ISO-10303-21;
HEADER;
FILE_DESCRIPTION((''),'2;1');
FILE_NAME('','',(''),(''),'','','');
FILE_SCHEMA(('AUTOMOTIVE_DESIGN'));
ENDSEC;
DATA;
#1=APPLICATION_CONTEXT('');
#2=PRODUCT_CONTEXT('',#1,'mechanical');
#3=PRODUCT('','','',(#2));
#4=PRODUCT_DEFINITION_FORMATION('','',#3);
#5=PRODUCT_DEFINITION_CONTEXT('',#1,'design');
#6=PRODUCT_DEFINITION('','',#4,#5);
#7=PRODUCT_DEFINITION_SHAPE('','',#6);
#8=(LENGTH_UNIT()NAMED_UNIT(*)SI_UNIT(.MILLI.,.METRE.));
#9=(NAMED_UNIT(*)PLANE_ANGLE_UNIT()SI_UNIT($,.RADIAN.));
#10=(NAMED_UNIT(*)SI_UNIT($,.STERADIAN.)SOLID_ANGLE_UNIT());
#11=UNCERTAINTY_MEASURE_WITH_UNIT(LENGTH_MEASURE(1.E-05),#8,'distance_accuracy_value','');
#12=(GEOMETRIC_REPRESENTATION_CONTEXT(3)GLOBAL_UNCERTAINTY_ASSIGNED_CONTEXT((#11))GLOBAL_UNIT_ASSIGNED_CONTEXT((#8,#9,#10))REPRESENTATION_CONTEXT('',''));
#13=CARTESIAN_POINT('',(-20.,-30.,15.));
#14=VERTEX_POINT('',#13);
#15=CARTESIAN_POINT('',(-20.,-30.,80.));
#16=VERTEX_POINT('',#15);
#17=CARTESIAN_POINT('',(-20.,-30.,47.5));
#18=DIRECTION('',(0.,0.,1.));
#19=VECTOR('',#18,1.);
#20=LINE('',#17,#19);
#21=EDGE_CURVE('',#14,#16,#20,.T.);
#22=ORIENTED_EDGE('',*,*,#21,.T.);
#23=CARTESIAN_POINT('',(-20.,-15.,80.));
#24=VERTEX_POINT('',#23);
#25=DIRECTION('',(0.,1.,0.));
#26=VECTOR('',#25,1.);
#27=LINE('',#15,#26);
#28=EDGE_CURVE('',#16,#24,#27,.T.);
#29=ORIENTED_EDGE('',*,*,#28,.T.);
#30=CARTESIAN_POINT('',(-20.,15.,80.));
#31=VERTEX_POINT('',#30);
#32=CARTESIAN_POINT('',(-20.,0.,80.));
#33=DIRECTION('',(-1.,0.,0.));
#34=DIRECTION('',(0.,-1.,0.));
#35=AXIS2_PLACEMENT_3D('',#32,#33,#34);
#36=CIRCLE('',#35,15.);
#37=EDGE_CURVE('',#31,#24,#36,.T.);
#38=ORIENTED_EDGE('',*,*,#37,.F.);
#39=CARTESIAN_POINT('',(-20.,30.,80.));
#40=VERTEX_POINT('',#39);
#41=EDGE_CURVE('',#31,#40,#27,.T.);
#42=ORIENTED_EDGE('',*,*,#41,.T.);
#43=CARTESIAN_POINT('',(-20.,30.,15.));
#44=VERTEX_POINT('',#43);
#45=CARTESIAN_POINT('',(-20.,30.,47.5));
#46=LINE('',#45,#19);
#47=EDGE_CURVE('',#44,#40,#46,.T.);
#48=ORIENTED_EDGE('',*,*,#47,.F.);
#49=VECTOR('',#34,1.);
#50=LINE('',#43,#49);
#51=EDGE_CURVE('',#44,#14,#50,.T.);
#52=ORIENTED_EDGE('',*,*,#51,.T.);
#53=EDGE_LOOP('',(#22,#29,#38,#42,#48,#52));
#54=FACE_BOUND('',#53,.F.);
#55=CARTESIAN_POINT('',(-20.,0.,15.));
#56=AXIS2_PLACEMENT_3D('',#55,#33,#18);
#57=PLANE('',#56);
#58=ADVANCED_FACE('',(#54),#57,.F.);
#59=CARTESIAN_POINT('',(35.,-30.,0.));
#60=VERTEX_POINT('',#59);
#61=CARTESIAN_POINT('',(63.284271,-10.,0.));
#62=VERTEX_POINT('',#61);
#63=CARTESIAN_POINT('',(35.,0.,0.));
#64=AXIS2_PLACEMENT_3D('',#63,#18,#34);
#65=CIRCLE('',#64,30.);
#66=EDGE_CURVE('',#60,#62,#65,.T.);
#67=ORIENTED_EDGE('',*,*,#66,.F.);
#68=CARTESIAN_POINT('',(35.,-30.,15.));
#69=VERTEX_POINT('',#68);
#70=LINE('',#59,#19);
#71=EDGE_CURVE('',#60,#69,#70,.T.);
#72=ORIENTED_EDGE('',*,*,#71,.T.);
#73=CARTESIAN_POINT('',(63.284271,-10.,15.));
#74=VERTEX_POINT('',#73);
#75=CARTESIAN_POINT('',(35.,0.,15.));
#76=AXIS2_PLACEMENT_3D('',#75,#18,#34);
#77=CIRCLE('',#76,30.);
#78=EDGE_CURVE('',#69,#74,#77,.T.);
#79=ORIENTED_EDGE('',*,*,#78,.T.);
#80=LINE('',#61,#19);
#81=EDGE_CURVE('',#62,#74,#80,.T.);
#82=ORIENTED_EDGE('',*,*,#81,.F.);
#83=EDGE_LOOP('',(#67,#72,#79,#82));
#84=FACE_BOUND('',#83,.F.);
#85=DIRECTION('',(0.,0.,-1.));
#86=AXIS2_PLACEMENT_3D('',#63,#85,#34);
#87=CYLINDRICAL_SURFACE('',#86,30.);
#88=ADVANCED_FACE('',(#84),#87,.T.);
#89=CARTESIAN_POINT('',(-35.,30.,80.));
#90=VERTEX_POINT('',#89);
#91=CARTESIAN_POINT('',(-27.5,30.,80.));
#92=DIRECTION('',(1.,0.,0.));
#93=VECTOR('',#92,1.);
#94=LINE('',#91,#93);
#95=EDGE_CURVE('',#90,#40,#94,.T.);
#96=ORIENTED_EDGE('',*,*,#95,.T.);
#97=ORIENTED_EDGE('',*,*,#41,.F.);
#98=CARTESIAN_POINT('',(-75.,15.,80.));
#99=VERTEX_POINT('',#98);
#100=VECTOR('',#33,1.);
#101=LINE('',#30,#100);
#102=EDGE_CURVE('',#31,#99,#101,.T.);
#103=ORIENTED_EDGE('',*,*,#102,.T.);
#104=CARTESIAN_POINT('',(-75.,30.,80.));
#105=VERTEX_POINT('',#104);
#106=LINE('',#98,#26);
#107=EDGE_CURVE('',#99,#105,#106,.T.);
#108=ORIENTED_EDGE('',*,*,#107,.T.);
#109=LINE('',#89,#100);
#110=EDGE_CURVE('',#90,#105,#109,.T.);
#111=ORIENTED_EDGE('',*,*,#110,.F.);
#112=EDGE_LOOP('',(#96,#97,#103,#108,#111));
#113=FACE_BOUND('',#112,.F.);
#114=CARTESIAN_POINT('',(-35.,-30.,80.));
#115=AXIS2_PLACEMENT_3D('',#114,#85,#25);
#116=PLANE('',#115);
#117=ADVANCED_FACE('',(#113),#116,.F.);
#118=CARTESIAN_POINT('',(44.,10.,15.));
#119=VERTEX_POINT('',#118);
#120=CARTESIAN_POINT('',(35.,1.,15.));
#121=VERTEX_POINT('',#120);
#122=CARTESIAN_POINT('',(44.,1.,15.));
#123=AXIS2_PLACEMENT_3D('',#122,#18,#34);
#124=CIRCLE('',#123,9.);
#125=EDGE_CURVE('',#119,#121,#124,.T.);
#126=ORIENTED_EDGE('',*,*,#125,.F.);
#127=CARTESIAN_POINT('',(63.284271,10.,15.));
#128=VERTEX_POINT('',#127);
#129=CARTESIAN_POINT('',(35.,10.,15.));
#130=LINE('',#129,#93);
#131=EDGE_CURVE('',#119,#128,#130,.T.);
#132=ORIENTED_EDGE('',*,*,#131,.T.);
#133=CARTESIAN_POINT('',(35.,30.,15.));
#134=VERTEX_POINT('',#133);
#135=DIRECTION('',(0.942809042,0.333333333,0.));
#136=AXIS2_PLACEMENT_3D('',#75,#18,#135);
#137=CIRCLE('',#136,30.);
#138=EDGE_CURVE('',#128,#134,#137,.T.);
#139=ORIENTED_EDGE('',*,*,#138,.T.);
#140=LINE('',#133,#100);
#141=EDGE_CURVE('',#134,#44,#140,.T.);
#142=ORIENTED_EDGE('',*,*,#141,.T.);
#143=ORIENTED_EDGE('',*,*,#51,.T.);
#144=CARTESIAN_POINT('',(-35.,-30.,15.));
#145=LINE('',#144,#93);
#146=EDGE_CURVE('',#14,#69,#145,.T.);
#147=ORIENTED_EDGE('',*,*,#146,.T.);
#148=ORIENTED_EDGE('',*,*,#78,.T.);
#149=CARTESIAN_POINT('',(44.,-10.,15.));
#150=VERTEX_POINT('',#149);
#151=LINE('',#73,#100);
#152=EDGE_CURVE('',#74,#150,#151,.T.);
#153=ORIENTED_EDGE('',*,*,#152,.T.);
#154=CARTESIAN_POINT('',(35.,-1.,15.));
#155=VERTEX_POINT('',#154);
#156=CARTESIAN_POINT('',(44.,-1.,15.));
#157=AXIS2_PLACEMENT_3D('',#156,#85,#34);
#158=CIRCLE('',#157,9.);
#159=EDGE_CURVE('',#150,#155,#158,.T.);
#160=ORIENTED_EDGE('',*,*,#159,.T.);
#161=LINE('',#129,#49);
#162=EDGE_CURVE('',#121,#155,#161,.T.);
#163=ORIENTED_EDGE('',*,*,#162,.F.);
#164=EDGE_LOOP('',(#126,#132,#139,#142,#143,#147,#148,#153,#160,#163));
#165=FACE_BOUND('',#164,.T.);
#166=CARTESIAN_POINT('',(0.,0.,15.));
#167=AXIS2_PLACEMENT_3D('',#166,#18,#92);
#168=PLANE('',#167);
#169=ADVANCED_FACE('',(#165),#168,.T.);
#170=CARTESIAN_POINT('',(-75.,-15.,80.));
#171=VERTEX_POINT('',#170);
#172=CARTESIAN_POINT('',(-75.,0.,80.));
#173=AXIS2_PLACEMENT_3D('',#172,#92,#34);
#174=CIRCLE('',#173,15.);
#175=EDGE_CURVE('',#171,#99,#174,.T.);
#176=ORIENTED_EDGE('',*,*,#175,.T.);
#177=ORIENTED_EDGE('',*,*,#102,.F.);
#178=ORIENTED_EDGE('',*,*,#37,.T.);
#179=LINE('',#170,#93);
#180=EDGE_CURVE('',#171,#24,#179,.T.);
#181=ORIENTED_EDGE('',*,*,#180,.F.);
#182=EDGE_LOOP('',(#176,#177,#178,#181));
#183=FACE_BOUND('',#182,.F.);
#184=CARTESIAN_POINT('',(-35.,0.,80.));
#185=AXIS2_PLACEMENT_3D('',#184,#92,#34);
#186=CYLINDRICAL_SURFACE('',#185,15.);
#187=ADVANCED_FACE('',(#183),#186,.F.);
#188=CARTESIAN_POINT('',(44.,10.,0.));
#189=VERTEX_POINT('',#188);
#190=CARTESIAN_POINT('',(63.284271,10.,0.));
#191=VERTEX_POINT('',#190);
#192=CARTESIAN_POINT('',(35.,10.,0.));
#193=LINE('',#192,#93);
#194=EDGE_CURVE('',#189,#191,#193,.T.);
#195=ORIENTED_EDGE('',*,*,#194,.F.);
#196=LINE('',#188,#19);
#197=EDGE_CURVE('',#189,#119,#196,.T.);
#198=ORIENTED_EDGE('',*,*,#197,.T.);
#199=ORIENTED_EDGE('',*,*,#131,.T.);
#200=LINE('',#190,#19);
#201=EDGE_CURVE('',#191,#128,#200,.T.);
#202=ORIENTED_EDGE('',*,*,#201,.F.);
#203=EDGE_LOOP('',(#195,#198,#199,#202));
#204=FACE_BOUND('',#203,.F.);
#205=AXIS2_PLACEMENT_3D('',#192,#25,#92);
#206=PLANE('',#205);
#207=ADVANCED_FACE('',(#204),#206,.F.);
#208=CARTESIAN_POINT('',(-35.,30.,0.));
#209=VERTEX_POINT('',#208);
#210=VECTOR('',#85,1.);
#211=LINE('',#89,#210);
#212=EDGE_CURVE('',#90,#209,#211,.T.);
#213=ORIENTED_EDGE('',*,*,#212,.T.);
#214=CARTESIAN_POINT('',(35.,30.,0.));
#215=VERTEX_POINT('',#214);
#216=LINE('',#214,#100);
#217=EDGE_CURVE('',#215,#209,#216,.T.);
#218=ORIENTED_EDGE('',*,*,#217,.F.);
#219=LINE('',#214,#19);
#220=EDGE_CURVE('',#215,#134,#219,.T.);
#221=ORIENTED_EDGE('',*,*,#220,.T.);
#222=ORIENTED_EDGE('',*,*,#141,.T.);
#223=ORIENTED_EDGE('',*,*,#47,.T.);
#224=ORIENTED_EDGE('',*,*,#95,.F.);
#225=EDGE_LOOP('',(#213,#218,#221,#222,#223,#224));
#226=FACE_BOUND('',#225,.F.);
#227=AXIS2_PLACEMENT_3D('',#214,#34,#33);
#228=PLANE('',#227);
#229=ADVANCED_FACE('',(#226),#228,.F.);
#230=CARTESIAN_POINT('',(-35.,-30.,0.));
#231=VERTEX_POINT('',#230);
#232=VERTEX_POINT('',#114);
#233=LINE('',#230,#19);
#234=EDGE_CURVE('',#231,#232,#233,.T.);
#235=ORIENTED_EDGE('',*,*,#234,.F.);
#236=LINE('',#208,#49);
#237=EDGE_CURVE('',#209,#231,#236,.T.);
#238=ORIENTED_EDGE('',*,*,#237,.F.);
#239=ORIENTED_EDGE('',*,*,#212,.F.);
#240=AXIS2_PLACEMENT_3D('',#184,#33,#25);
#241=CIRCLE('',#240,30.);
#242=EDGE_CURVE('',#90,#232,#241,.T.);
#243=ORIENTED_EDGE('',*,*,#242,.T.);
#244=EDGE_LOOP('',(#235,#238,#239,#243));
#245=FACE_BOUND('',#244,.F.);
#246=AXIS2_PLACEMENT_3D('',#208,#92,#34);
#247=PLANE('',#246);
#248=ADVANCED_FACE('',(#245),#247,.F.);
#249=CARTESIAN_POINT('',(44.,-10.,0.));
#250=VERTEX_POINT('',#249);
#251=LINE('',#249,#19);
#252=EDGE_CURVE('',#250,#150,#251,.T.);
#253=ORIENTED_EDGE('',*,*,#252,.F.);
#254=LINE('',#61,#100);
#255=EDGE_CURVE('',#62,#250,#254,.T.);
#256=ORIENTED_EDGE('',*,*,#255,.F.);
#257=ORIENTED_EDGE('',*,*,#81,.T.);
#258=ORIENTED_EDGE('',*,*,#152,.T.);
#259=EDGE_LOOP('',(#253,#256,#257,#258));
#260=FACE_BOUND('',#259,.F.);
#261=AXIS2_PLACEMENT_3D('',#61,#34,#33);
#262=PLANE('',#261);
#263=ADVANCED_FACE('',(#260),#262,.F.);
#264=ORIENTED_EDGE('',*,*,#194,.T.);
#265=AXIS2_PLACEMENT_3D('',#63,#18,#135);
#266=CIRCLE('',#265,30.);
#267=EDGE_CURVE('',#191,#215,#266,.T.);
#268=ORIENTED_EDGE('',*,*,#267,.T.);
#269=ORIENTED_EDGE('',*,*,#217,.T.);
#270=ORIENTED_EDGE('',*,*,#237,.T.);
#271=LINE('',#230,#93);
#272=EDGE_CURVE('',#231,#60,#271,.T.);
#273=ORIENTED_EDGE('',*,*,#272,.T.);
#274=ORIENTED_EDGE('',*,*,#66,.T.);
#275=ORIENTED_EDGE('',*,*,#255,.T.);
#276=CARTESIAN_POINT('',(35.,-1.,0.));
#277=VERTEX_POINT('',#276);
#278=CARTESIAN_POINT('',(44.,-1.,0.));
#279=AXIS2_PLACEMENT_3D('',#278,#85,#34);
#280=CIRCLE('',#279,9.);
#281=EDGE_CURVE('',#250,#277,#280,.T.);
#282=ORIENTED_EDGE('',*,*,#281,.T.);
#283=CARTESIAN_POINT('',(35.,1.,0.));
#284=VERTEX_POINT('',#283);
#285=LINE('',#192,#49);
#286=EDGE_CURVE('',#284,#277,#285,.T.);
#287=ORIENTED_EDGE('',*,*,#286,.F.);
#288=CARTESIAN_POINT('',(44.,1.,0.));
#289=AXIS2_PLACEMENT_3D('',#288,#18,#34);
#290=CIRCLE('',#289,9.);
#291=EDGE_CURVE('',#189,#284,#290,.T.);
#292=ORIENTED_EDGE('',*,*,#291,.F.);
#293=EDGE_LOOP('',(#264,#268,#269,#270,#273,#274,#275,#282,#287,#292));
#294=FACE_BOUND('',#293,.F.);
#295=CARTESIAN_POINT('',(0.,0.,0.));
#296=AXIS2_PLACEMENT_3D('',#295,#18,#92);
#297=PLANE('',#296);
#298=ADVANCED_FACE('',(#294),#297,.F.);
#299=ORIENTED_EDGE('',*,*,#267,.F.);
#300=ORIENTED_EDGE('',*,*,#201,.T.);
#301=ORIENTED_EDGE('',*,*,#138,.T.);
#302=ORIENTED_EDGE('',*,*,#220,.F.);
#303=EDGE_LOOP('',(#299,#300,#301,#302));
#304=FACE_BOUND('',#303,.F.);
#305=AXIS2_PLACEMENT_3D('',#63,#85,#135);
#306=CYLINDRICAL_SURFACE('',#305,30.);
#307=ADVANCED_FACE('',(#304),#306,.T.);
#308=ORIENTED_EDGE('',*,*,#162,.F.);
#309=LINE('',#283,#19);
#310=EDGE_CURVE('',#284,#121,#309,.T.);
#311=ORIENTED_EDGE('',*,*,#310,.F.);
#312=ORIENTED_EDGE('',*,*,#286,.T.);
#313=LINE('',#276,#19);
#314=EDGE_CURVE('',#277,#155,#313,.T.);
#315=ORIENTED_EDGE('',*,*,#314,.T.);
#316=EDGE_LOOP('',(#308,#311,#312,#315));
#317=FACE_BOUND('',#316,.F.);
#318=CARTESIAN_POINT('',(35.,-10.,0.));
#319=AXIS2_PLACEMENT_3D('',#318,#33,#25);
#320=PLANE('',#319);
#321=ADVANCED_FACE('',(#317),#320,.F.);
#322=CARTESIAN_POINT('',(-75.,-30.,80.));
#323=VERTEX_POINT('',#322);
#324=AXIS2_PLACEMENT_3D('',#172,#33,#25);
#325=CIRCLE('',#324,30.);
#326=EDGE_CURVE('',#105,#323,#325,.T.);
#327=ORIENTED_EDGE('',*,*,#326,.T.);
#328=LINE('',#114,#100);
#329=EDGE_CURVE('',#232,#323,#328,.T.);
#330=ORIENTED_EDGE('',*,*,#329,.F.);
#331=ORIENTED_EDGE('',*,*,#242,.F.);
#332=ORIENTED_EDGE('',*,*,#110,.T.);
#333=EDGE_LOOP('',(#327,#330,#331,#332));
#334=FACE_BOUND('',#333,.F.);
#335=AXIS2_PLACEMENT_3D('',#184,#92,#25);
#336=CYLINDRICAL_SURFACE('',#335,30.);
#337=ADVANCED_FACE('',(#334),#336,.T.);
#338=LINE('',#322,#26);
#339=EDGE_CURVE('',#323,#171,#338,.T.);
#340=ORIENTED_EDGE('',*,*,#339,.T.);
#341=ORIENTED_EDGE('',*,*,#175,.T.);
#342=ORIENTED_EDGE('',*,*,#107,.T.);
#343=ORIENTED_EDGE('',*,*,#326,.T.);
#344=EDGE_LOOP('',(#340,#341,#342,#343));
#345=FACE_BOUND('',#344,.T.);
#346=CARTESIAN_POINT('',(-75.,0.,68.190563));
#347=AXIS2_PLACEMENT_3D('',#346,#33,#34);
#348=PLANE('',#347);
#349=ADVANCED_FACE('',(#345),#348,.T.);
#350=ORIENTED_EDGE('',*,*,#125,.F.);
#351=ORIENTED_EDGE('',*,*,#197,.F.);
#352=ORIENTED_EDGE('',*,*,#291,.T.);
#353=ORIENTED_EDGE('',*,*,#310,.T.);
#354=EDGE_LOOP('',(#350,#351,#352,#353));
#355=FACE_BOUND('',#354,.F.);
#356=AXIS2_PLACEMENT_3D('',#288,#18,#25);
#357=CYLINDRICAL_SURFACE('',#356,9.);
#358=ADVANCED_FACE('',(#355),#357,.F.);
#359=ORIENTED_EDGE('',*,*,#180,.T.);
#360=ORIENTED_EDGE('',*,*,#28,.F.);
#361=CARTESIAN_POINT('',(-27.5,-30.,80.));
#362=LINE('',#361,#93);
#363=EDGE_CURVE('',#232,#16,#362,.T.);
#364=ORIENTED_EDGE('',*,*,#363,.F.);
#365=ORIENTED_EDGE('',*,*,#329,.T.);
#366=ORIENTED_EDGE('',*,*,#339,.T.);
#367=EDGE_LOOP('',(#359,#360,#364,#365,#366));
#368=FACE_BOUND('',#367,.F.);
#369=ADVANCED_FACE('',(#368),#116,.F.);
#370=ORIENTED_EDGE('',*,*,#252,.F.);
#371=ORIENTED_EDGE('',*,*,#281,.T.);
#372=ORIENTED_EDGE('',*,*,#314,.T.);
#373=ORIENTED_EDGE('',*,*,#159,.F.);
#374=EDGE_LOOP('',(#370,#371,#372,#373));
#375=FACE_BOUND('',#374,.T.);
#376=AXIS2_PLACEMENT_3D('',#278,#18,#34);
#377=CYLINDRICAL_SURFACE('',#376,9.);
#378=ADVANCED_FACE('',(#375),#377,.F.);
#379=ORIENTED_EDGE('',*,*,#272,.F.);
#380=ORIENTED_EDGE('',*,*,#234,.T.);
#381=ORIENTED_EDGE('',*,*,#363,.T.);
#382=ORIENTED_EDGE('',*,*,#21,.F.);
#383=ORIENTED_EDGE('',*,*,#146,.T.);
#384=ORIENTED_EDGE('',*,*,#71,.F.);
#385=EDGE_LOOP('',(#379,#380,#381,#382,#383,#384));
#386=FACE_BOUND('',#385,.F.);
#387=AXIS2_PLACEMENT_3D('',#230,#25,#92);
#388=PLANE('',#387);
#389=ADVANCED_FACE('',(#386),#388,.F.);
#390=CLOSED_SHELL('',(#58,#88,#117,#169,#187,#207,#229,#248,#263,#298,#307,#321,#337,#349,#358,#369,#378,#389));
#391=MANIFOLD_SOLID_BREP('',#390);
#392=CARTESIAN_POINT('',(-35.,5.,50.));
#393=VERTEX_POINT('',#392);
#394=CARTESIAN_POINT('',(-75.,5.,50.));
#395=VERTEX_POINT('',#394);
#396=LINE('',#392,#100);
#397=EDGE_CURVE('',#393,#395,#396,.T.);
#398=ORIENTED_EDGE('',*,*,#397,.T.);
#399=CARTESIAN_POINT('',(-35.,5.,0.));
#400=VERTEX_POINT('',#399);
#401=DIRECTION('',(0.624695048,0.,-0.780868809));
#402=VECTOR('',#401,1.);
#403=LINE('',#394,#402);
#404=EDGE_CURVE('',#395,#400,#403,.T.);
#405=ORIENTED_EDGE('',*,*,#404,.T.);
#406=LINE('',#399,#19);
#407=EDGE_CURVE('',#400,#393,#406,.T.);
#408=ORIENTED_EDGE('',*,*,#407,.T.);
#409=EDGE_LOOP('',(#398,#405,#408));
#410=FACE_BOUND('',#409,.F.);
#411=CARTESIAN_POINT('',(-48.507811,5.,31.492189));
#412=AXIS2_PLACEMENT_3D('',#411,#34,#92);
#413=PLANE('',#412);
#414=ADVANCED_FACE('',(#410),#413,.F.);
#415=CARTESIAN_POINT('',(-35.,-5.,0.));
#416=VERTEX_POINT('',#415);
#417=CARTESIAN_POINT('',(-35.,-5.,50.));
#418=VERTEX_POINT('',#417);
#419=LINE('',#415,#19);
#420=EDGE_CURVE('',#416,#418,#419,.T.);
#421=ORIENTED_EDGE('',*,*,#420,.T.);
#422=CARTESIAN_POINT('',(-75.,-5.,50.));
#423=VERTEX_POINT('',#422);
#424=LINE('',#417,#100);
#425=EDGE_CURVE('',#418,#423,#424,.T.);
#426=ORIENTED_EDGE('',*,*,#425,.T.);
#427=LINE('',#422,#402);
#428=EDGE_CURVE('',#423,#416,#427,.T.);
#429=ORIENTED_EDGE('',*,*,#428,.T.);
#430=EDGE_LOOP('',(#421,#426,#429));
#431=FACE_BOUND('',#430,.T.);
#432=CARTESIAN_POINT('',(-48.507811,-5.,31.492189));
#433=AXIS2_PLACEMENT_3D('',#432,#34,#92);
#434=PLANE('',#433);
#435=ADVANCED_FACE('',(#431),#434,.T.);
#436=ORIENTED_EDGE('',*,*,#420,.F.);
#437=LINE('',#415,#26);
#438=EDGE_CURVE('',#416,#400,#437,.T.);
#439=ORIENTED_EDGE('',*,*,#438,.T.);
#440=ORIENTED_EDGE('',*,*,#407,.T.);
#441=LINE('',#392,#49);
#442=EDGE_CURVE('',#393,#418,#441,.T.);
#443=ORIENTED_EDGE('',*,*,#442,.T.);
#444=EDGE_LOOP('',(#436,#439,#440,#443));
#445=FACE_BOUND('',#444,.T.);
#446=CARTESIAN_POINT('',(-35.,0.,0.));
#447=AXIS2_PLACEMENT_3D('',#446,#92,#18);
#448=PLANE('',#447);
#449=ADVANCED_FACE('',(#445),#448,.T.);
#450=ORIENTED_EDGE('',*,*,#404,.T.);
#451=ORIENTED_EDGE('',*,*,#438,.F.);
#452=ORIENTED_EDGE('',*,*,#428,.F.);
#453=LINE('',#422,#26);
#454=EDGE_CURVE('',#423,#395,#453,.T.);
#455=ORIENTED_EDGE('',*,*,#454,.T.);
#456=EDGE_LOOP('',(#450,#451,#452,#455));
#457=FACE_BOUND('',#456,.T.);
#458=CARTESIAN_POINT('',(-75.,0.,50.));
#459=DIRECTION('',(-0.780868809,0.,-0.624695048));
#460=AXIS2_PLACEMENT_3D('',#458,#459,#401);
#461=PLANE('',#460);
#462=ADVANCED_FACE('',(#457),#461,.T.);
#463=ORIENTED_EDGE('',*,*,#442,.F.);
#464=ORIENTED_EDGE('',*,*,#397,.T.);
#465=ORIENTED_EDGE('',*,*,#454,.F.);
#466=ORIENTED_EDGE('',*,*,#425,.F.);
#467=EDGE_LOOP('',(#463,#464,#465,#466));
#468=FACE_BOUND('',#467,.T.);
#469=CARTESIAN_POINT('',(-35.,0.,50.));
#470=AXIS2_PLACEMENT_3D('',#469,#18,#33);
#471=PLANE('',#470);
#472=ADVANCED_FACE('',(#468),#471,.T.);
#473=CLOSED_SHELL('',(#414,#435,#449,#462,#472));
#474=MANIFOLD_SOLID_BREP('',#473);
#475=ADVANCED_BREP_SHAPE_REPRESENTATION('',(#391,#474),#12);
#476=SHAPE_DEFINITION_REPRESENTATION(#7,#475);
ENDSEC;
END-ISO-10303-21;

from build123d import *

# Parameters (mm, degrees)
F1_DEPTH      = 15
F2_W          = 15
F2_H          = 65
F3_DEPTH      = 30
F3_DEPTH_BACK = 30
F5_DEPTH      = 40
F6_DEPTH      = 25
F8_DEPTH      = 5
F8_DEPTH_BACK = 5
F9_R          = 9


with BuildPart() as f1:
    # F0 (on Top) → F1 (new body)
    with BuildSketch(Plane.XY):
        Polygon((35, 10), (35, 30), (-35, 30), (-35, -30), (35, -30), (35, -10), align=None)
        with BuildLine():
            ThreePointArc((63.2842712475, 10), (52.3205080757, 24.4948974278), (35, 30))
            Line((35, 30), (35, 10))
            Line((35, 10), (63.2842712475, 10))
        make_face()
        with BuildLine():
            Line((63.2842712475, -10), (35, -10))
            Line((35, -10), (35, -30))
            ThreePointArc((35, -30), (52.3205080757, -24.4948974278), (63.2842712475, -10))
        make_face()
    extrude(amount=F1_DEPTH)

    # F2 (on Front) → F3 (join, two sides)
    with BuildSketch(Plane.XZ) as f3_sk:
        Polygon((-35, 15), (-35, 0), (35, 0), (35, 15), (-20, 15), align=None)
        with Locations((-27.5, 47.5)):
            Rectangle(F2_W, F2_H)
    extrude(amount=F3_DEPTH)
    extrude(f3_sk.sketch, amount=-F3_DEPTH_BACK)

    # F4 (on face) → F5 (join)
    with BuildSketch(Plane(origin=(-35, 0, 0), x_dir=(0, -1, 0), z_dir=(-1, 0, 0))):
        with BuildLine():
            ThreePointArc((15, 80), (0, 65), (-15, 80))
            Line((-15, 80), (-30, 80))
            ThreePointArc((-30, 80), (0, 50), (30, 80))
            Line((30, 80), (15, 80))
        make_face()
    extrude(amount=F5_DEPTH)

    # F6 (cut): a face of the model
    f6_faces = [f1.faces().sort_by_distance(p)[0] for p in [
        (-35, 0, 73.6338022763),
    ]]
    extrude(f6_faces, amount=-F6_DEPTH, mode=Mode.SUBTRACT)

    # F9
    f9_edges = [f1.edges().sort_by_distance(p)[0] for p in [
        (35, 10, 7.5),
        (35, -10, 7.5),
    ]]
    fillet(f9_edges, radius=F9_R)


with BuildPart() as f8:
    # F7 (on Front) → F8 (new body, two sides)
    with BuildSketch(Plane.XZ) as f8_sk:
        Polygon((-35, 0), (-35, 50), (-75, 50), align=None)
    extrude(amount=F8_DEPTH)
    extrude(f8_sk.sketch, amount=-F8_DEPTH_BACK)


solid = Compound([f1.part, f8.part])
